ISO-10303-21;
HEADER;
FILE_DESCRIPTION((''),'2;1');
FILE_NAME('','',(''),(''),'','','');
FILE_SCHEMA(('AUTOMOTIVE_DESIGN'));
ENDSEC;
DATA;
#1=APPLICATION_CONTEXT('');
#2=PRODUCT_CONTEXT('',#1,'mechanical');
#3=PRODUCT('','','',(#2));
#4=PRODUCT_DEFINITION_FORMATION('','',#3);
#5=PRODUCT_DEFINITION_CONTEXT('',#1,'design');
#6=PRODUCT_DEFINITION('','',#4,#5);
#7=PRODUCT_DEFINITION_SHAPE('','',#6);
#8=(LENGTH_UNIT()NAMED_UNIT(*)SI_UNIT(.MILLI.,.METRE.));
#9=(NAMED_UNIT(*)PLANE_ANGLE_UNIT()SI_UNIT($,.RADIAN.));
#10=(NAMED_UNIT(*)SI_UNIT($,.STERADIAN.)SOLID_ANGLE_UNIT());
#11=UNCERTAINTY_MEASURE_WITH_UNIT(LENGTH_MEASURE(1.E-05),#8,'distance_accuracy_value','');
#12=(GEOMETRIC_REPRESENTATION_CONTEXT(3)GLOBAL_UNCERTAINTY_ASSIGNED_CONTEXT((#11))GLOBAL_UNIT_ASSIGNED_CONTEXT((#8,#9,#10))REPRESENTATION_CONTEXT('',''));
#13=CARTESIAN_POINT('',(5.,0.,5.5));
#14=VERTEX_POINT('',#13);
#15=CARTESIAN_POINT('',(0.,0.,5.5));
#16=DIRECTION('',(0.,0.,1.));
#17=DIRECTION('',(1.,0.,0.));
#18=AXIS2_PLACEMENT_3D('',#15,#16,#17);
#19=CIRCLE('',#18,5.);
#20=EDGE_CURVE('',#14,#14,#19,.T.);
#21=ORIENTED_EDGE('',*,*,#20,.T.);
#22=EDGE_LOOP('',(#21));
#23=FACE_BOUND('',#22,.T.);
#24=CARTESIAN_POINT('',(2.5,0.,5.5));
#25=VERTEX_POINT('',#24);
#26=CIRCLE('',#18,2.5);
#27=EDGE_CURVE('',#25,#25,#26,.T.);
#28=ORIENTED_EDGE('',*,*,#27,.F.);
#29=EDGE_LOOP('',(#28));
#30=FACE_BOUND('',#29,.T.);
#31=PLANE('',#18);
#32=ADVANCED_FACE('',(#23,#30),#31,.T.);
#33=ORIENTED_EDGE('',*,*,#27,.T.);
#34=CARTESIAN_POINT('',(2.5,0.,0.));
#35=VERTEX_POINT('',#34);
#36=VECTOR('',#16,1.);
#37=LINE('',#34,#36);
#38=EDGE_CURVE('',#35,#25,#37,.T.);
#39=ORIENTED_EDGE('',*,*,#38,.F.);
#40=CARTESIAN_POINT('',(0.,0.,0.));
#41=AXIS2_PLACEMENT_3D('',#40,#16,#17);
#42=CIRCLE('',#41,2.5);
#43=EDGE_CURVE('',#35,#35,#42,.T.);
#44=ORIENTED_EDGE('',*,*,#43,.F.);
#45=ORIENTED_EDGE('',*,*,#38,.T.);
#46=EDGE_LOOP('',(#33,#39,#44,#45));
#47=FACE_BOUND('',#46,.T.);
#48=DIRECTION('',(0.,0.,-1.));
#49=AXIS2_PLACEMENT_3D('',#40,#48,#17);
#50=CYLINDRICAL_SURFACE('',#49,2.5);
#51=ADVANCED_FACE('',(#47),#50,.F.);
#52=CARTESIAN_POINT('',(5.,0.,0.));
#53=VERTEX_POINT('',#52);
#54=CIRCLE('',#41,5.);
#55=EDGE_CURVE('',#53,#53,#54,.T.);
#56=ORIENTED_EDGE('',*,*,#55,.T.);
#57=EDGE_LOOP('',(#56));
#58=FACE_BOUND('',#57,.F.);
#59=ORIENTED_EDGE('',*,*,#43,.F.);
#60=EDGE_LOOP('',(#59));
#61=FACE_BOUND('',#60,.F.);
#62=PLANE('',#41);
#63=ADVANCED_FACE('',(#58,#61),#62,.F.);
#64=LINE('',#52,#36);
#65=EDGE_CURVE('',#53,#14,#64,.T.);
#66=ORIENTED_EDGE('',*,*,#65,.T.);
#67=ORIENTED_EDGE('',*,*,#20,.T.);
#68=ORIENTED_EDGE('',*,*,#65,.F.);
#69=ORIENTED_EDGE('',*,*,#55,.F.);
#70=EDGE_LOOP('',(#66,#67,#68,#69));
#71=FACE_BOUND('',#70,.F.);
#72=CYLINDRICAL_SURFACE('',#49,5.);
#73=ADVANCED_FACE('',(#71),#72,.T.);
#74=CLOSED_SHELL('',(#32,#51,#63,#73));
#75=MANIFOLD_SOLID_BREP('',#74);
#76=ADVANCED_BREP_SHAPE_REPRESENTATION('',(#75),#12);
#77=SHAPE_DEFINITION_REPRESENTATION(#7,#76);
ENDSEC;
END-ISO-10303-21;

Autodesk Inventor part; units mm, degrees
ref_plane "YZ Plane" through (0, 0, 0) normal (1, 0, 0) x (0, 1, 0)
ref_plane "XZ Plane" through (0, 0, 0) normal (0, 1, 0) x (-1, 0, 0)
ref_plane "XY Plane" through (0, 0, 0) normal (0, 0, 1) x (1, 0, 0)
sketch "スケッチ1" plane through (0, 0, 0) normal (0, 0, 1) x (1, 0, 0)
  circle A0 centre (0, 0) radius 2.5
  circle A1 centre (0, 0) radius 5
  dimension "d0" = 5
  dimension "d1" = 10
extrude "押し出し1" add sketch "スケッチ1" along normal blind 5.5
properties part number "bearing_02"
